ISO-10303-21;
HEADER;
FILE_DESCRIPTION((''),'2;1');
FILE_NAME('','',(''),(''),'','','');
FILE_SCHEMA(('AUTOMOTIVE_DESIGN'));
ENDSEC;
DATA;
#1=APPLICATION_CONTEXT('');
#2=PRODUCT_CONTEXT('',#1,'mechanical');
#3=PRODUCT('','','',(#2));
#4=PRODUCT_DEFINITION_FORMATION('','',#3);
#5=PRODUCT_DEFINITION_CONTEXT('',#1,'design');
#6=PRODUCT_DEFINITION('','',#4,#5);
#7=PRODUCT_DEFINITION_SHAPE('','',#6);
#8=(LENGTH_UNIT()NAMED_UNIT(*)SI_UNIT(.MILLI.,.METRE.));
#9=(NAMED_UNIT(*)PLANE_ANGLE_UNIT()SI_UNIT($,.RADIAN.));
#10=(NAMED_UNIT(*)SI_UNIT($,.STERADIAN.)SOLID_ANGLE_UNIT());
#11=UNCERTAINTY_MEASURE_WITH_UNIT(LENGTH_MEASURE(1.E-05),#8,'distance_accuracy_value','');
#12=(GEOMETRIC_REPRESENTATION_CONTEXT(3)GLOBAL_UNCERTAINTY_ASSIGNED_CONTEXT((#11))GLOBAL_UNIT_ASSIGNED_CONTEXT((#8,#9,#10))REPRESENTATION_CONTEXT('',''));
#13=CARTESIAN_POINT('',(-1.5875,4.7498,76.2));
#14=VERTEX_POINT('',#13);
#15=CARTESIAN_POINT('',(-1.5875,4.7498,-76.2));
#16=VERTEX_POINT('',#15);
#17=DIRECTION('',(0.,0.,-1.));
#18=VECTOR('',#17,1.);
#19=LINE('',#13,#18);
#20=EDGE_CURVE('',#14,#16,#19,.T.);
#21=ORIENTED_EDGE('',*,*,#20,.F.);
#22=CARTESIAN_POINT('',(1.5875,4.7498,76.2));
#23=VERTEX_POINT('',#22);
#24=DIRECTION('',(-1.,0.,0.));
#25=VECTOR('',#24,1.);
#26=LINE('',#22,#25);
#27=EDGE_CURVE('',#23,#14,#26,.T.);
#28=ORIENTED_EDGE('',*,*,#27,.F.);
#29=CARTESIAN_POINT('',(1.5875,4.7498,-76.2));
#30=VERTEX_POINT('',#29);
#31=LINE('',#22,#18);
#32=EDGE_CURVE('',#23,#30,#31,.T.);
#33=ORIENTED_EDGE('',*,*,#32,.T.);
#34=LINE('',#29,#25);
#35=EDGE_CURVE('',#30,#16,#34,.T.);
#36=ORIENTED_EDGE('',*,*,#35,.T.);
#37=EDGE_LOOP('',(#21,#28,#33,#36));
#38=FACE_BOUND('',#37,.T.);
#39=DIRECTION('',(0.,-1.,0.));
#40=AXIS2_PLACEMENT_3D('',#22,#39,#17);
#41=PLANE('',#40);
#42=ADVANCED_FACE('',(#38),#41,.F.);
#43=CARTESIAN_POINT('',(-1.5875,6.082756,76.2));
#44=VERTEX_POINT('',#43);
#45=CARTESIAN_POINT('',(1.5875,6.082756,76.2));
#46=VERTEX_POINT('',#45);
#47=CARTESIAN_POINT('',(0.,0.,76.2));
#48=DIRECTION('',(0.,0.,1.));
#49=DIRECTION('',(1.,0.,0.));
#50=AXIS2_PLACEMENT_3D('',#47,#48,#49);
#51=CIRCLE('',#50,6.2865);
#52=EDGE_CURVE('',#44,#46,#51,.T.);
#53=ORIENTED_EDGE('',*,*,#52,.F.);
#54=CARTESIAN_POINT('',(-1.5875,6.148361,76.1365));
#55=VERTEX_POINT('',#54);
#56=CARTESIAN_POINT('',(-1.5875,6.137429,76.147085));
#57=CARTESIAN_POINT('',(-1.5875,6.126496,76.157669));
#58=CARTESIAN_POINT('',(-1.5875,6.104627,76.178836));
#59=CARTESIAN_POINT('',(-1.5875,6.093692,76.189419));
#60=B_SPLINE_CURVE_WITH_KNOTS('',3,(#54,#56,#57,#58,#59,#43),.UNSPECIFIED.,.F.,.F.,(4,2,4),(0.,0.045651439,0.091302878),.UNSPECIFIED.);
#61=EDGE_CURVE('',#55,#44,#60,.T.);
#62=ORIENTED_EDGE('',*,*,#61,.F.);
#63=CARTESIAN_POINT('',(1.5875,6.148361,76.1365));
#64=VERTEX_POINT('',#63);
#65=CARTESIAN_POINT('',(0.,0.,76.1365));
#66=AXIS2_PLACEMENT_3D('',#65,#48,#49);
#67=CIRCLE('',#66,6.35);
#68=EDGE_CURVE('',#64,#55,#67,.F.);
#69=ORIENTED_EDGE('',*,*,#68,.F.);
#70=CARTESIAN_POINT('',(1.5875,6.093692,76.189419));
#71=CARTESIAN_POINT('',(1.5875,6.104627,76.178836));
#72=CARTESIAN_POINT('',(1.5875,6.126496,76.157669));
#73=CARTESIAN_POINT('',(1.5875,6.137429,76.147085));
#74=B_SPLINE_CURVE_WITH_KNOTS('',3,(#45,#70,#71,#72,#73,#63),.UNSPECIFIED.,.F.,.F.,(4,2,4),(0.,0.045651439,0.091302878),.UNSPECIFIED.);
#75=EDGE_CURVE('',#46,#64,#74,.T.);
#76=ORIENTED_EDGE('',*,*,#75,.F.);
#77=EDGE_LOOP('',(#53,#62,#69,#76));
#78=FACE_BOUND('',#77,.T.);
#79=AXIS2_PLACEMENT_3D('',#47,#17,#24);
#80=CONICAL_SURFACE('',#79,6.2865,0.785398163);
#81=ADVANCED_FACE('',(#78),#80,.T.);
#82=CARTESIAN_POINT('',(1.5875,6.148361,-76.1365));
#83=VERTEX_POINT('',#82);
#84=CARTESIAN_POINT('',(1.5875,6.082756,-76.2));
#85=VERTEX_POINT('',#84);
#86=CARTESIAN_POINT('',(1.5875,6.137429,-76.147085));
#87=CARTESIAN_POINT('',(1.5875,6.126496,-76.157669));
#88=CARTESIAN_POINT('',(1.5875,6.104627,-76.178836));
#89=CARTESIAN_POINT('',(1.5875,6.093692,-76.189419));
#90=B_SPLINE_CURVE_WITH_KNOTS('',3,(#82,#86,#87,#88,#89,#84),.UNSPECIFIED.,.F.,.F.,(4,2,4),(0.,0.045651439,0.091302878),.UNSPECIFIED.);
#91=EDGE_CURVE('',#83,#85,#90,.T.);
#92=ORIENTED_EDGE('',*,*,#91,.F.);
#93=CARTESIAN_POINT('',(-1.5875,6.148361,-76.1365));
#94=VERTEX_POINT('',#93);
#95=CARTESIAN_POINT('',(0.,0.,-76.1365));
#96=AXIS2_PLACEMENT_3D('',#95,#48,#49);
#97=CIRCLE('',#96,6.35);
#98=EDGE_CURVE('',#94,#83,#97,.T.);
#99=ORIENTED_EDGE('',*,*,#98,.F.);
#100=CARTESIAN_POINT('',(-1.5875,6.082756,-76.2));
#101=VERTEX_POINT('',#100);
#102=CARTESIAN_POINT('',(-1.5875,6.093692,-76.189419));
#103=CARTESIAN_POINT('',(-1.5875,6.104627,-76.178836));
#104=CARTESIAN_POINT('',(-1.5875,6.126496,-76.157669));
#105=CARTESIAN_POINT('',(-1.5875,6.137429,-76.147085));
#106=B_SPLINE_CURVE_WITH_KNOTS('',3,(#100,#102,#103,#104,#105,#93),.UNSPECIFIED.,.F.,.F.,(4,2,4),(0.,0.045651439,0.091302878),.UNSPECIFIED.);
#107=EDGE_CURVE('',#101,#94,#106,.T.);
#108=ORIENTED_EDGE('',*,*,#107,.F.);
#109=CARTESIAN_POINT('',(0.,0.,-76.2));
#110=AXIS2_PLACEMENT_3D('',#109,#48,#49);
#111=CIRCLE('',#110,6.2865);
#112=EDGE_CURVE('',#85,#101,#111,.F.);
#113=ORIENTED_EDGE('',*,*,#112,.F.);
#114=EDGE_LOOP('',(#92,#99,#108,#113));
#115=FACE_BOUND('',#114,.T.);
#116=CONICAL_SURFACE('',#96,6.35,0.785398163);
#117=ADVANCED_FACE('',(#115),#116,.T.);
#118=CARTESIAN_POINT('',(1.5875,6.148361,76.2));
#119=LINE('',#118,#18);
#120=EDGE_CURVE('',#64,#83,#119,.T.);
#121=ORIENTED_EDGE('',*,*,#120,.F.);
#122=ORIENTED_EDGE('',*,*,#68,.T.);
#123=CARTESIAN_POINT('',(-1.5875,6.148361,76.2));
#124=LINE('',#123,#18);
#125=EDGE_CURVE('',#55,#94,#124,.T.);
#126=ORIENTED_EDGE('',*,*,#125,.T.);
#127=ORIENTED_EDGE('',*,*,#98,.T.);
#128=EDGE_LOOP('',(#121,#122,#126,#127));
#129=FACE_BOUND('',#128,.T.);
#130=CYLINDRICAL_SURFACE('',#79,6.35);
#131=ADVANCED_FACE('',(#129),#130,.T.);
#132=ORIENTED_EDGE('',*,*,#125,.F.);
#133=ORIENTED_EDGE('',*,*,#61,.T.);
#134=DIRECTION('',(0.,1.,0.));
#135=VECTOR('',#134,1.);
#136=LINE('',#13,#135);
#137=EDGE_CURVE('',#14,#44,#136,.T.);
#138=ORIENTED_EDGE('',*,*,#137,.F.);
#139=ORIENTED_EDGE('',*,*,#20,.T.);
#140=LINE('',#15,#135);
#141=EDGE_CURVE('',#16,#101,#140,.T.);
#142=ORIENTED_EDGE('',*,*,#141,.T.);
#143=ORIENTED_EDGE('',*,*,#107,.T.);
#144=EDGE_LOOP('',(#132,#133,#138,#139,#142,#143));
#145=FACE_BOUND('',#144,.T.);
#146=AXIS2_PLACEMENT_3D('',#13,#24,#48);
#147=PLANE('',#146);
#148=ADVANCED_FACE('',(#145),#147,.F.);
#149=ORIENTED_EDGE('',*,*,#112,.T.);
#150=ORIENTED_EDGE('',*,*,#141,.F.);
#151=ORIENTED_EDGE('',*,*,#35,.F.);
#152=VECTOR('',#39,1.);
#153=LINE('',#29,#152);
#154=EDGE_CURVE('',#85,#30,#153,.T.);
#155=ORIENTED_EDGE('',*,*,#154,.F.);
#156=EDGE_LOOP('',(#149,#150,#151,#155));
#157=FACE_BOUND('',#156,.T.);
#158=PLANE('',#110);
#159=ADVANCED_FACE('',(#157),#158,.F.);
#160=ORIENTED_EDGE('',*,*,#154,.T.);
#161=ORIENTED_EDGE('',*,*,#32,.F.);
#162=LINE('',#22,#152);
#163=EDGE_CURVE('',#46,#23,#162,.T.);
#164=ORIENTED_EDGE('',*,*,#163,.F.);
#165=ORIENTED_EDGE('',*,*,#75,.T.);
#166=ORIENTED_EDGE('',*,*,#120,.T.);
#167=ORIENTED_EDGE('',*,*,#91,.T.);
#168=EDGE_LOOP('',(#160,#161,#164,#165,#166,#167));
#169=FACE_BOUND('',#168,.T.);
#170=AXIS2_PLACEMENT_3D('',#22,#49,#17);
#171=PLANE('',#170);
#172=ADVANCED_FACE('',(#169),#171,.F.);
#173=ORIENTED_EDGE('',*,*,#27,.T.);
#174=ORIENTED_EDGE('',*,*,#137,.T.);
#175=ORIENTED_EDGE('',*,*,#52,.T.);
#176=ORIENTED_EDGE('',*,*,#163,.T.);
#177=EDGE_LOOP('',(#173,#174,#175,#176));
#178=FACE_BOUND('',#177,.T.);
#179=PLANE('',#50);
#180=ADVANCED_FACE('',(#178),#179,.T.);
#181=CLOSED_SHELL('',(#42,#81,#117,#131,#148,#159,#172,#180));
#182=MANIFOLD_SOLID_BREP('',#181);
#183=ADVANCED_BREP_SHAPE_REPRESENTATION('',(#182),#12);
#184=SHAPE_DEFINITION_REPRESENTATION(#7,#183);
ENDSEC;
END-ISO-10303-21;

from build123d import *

# Parameters (mm, degrees)
BOSS_EXTRUDE1_DEPTH      = 76.2
BOSS_EXTRUDE1_DEPTH_BACK = 76.2
CHAMFER1_SIZE            = 0.0635


with BuildPart() as part:
    # Sketch3 → Boss-Extrude1 (new, two sides: drawn at the far end of the back side and taken through both)
    with BuildSketch(Plane.XY.offset(-BOSS_EXTRUDE1_DEPTH_BACK)):
        with BuildLine():
            Line((-1.5875, 4.7498), (-1.5875, 6.148361062))
            ThreePointArc((-1.5875, 6.148361062), (0, -6.35), (1.5875, 6.148361062))
            Line((1.5875, 6.148361062), (1.5875, 4.7498))
            Line((1.5875, 4.7498), (-1.5875, 4.7498))
        make_face()
    extrude(amount=BOSS_EXTRUDE1_DEPTH + BOSS_EXTRUDE1_DEPTH_BACK)

    # Chamfer1
    chamfer1_edges = [part.edges().sort_by_distance(p)[0] for p in [
        (0, -6.35, -76.2),
        (0, -6.35, 76.2),
    ]]
    chamfer(chamfer1_edges, length=CHAMFER1_SIZE)


solid = part.part
